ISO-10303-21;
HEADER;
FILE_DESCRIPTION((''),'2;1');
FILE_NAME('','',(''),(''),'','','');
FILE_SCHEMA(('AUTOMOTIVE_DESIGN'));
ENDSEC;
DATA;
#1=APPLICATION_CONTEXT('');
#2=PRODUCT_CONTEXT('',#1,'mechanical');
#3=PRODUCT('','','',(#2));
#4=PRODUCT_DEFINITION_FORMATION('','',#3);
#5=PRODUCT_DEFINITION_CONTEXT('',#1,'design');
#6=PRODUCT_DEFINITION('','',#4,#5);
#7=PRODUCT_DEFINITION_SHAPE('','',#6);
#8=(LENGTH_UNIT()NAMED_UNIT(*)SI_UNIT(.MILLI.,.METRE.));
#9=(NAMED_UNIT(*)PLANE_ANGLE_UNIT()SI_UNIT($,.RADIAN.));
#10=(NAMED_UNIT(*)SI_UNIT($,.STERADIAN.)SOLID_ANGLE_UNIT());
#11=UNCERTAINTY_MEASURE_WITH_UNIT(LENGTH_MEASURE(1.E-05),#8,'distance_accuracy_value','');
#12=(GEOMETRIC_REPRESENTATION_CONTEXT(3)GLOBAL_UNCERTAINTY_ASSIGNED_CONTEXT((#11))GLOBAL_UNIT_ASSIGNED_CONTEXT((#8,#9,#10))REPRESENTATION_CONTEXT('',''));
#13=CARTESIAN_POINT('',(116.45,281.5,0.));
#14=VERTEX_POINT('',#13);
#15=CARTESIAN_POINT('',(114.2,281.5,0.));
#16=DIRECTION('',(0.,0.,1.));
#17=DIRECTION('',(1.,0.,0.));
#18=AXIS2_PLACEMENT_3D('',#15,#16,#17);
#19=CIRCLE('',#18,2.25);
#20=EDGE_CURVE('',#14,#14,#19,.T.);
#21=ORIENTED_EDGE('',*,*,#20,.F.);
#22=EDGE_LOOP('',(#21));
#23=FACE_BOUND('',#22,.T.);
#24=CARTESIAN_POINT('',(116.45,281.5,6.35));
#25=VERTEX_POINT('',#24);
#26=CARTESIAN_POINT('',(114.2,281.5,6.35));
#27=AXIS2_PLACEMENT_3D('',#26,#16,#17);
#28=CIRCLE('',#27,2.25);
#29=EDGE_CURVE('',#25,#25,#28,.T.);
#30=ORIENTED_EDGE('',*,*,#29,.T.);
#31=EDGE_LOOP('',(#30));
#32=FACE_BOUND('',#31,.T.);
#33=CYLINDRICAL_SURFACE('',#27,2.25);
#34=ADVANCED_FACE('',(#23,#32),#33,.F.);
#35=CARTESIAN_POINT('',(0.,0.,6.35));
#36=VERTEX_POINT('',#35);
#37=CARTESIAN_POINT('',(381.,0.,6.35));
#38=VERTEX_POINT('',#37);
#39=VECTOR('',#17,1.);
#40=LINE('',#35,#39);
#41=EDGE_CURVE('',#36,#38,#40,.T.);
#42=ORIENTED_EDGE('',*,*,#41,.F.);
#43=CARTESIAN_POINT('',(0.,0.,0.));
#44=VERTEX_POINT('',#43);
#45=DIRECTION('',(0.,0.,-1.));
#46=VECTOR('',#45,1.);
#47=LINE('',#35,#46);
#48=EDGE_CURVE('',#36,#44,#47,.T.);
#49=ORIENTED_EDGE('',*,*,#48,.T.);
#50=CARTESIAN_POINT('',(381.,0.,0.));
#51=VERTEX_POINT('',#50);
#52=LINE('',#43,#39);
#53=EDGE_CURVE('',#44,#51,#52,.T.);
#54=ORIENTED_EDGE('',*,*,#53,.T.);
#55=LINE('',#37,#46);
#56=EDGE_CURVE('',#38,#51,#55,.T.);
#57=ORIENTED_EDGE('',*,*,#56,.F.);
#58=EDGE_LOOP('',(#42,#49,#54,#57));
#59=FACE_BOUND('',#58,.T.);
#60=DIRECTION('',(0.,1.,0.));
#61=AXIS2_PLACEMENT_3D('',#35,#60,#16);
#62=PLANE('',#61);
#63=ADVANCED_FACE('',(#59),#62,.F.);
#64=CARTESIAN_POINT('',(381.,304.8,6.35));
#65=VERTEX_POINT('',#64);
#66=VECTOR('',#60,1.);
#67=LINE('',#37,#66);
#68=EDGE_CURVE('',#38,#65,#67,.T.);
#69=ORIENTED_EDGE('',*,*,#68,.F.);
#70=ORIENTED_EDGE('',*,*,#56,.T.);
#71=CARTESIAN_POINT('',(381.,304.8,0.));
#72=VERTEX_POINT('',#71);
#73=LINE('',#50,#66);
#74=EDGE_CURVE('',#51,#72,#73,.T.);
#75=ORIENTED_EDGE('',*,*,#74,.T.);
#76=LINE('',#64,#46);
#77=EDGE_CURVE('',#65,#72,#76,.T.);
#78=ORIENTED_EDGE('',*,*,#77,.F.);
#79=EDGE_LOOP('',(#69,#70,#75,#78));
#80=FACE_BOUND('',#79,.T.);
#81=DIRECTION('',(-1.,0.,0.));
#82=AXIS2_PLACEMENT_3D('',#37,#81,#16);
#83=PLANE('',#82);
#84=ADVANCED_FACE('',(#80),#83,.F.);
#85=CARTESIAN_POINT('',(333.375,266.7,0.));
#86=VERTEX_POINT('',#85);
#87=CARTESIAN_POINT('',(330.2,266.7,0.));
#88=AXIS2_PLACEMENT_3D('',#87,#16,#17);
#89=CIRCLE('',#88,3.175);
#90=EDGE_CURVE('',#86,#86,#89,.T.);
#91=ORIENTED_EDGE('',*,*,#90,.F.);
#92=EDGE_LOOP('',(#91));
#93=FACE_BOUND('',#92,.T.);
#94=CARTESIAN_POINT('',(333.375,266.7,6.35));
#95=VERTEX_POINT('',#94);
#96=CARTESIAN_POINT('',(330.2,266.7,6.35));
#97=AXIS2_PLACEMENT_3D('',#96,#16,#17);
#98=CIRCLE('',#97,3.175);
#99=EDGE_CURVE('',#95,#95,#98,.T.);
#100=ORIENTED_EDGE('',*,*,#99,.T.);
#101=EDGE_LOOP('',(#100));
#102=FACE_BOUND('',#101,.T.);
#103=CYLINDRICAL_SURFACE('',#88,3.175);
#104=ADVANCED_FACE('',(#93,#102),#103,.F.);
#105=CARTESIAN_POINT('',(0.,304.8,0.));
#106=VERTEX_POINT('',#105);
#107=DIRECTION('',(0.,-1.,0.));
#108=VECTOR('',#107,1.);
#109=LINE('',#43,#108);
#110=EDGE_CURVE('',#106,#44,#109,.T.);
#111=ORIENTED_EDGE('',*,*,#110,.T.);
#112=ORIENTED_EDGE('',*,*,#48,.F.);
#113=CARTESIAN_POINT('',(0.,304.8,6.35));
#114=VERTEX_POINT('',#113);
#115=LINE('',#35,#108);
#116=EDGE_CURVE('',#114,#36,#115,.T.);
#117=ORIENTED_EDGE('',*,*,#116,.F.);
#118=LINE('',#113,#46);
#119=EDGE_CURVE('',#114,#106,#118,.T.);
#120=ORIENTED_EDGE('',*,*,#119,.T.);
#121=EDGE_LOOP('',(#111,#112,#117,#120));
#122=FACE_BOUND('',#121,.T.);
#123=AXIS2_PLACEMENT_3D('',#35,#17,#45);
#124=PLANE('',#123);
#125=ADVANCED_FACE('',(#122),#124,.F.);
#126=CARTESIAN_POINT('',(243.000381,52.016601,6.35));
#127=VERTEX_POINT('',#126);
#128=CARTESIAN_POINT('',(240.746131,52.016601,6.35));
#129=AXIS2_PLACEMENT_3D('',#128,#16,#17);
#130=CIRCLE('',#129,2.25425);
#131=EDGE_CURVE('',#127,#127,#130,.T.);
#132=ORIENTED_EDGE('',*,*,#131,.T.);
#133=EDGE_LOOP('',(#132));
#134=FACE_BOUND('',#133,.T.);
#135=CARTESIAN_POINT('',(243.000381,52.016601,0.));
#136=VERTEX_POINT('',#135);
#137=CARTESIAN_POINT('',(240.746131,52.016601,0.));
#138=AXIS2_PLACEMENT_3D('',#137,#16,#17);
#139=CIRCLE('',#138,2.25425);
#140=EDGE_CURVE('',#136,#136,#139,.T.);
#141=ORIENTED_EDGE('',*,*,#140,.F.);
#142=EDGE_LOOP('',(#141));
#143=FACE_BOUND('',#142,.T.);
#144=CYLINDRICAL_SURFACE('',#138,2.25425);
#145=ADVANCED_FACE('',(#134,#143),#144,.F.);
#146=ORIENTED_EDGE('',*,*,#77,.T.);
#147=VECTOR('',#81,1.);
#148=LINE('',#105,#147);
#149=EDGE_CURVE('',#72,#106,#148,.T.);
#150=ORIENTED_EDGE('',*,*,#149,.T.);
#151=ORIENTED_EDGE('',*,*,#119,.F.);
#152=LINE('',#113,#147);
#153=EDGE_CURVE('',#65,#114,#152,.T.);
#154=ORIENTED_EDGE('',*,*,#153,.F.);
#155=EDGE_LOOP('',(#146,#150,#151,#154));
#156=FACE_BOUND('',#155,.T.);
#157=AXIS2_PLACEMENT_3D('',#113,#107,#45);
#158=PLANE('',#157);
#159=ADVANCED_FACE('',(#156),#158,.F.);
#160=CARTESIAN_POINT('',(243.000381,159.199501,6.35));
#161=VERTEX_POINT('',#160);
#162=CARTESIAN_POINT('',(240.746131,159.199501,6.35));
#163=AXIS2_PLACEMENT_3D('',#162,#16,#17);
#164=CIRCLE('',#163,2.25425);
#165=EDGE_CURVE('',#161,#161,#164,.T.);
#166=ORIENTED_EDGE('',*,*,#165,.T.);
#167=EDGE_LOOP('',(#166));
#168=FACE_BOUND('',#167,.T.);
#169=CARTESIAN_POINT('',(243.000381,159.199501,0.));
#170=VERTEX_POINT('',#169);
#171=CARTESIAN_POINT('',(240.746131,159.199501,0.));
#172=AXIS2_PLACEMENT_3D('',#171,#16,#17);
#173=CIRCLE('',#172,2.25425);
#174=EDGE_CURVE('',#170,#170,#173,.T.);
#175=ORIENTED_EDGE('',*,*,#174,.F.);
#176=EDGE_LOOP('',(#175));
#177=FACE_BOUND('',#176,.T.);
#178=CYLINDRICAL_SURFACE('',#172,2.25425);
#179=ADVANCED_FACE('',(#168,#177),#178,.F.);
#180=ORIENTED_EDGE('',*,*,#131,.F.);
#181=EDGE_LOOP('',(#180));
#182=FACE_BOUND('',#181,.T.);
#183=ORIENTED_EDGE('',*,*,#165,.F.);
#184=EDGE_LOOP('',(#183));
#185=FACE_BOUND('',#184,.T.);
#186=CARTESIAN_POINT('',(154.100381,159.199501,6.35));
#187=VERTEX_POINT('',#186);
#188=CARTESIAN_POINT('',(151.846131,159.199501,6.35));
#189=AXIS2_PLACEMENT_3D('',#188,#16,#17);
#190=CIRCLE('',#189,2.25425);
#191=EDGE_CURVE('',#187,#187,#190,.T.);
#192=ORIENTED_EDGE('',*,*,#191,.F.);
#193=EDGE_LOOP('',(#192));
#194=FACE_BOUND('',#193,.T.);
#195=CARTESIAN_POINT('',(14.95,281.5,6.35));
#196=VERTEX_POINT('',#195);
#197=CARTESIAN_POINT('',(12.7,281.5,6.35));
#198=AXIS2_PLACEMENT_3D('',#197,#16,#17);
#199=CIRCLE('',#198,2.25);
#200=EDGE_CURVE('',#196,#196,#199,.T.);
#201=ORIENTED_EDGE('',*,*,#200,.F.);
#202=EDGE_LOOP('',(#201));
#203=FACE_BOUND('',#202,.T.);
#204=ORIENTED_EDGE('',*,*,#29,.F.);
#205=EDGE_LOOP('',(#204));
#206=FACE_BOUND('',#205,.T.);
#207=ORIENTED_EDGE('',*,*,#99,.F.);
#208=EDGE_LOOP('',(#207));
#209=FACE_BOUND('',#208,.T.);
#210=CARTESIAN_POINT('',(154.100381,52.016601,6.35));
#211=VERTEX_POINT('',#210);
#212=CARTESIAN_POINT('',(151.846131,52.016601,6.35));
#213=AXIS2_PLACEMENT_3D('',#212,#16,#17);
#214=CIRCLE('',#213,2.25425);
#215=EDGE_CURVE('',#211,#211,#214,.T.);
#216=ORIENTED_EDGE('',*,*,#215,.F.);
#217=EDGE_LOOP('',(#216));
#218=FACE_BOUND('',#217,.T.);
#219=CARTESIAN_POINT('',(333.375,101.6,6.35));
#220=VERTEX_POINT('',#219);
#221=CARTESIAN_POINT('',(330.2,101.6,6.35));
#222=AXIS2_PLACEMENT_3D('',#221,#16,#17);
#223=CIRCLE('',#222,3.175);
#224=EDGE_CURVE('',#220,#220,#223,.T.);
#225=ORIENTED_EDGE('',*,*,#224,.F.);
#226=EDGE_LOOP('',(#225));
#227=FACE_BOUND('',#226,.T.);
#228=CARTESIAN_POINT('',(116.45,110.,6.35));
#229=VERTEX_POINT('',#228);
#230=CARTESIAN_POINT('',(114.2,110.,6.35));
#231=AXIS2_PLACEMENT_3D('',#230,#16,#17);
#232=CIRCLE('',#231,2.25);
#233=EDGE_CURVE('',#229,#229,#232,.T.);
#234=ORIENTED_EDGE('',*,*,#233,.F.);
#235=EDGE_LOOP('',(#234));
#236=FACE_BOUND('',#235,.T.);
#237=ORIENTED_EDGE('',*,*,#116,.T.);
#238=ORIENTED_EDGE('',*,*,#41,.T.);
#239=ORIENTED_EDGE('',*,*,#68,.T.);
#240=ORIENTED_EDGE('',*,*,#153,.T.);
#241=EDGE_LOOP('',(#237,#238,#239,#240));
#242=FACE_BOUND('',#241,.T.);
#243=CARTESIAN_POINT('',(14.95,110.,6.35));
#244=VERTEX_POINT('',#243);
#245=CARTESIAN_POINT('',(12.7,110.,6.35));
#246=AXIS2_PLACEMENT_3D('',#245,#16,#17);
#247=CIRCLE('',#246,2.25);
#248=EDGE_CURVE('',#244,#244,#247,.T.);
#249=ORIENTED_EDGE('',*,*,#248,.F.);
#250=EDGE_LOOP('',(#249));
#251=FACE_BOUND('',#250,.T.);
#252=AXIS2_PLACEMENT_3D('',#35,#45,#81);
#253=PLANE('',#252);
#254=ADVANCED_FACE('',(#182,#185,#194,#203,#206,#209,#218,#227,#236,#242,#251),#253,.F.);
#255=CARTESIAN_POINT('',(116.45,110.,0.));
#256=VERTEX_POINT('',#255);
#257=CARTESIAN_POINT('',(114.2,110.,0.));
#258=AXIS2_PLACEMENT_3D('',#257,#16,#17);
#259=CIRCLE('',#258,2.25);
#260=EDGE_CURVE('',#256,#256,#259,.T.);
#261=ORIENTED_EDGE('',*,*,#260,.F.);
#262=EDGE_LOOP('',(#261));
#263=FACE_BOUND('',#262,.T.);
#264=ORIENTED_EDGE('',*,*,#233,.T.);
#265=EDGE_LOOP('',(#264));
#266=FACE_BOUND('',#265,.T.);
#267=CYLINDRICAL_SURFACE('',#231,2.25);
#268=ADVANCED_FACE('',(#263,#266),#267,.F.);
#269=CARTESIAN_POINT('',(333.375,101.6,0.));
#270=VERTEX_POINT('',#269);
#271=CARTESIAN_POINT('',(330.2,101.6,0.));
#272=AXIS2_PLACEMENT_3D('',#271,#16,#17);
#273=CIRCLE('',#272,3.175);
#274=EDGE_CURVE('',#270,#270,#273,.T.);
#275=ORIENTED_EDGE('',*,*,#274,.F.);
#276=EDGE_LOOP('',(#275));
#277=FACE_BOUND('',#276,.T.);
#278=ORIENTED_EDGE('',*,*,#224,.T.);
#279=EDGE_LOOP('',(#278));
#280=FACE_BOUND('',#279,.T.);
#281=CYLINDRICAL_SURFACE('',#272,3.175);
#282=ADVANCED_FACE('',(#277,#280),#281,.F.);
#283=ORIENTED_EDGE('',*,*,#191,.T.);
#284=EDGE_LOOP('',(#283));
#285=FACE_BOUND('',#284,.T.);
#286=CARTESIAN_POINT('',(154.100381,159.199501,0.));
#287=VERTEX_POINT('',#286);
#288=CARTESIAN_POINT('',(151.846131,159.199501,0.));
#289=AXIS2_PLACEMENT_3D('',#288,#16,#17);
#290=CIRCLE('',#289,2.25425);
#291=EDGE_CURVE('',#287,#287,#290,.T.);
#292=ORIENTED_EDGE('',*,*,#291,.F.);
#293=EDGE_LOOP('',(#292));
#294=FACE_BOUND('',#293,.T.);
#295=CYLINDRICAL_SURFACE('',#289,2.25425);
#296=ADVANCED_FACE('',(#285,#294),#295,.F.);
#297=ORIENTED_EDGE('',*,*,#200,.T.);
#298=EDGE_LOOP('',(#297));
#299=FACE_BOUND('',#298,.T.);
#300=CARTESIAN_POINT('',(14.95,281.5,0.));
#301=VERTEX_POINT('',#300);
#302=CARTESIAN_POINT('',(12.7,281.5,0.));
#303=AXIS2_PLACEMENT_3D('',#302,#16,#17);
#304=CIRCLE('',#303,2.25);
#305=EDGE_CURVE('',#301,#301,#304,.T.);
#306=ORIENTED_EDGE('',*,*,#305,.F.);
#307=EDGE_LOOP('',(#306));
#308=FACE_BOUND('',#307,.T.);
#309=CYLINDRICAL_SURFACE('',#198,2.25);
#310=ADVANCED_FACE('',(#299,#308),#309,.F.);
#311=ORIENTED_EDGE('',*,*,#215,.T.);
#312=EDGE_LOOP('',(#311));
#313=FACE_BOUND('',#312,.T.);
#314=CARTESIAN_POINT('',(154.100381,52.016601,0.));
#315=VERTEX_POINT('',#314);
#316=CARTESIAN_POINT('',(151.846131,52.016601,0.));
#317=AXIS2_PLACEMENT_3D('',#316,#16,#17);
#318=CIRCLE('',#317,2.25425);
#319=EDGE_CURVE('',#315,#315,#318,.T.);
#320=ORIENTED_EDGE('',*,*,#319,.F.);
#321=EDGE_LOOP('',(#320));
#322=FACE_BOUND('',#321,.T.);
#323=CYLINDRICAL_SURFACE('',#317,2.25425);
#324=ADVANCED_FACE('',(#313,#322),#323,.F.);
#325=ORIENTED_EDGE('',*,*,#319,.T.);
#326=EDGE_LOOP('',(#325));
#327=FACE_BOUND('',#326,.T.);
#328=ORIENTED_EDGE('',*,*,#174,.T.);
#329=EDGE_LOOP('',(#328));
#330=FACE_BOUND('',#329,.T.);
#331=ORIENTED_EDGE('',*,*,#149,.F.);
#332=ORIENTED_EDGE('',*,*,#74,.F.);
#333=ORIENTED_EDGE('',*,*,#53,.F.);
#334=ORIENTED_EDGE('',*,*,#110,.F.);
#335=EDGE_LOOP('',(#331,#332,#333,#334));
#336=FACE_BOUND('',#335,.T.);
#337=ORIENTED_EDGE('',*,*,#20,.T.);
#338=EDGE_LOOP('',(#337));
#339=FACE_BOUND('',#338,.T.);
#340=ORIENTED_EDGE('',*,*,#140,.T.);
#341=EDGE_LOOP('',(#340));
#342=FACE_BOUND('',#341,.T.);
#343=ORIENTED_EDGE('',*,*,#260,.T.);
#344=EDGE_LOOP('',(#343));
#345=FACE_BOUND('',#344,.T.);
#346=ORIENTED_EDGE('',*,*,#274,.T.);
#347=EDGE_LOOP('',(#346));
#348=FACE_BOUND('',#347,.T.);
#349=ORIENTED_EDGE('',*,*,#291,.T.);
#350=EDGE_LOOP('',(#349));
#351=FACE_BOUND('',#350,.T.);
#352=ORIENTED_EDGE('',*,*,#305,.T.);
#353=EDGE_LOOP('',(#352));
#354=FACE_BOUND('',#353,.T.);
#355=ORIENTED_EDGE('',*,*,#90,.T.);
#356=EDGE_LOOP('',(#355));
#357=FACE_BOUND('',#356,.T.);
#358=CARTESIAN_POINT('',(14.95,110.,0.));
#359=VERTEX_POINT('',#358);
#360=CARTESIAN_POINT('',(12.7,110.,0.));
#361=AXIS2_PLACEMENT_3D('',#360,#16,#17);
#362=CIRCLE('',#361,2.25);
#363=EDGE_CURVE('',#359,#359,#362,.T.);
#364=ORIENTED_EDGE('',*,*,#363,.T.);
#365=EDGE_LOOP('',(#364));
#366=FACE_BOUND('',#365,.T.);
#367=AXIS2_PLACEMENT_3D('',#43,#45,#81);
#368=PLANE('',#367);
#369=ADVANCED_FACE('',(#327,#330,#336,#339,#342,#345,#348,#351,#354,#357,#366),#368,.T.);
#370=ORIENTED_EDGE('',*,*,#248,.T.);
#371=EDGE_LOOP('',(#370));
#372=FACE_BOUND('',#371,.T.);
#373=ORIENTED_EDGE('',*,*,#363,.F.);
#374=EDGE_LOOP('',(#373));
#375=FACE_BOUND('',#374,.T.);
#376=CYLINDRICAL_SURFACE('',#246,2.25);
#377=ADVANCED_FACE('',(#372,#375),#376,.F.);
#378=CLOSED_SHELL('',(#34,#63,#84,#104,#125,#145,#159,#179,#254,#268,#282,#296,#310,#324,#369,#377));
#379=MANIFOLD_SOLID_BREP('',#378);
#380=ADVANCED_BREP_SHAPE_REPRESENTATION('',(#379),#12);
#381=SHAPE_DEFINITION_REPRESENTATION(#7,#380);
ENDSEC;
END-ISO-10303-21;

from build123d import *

# Parameters (mm, degrees)
SKETCH1_W            = 381
SKETCH1_H            = 304.8
BOSS_EXTRUDE1_DEPTH  = 6.35
M4_CLEARANCE_HOLE1_D = 4.5
SKETCH3_R            = 3.175
CUT_EXTRUDE2_DEPTH   = 7.35
SKETCH8_R            = 2.25425
CUT_EXTRUDE5_DEPTH   = 6.35


with BuildPart() as part:
    # Sketch1 → Boss-Extrude1 (new body)
    with BuildSketch(Plane.XY):
        with Locations((190.5, 152.4)):
            Rectangle(SKETCH1_W, SKETCH1_H)
    extrude(amount=BOSS_EXTRUDE1_DEPTH)

    # M4 Clearance Hole1 (through all)
    with Locations(Plane.XY.offset(6.35)):
        with Locations((12.7, 110), (114.2, 110), (12.7, 281.5), (114.2, 281.5)):
            Hole(M4_CLEARANCE_HOLE1_D / 2)

    # Sketch3 → Cut-Extrude2 (cut, through all)
    with BuildSketch(Plane.XY.offset(6.35)):
        with Locations((330.2, 101.6)):
            Circle(SKETCH3_R)
        with Locations((330.2, 266.7)):
            Circle(SKETCH3_R)
    extrude(amount=-CUT_EXTRUDE2_DEPTH, mode=Mode.SUBTRACT)

    # Sketch8 → Cut-Extrude5 (cut)
    with BuildSketch(Plane(origin=(190.518001872, -5.896320956, 6.35), x_dir=(1, 0, 0), z_dir=(0, 0, 1))):
        with Locations((-38.6718713, 165.095822345)):
            Circle(SKETCH8_R)
        with Locations((50.2281287, 165.095822345)):
            Circle(SKETCH8_R)
        with Locations((-38.6718713, 57.912922015)):
            Circle(SKETCH8_R)
        with Locations((50.2281287, 57.912922015)):
            Circle(SKETCH8_R)
    extrude(amount=-CUT_EXTRUDE5_DEPTH, mode=Mode.SUBTRACT)


solid = part.part
